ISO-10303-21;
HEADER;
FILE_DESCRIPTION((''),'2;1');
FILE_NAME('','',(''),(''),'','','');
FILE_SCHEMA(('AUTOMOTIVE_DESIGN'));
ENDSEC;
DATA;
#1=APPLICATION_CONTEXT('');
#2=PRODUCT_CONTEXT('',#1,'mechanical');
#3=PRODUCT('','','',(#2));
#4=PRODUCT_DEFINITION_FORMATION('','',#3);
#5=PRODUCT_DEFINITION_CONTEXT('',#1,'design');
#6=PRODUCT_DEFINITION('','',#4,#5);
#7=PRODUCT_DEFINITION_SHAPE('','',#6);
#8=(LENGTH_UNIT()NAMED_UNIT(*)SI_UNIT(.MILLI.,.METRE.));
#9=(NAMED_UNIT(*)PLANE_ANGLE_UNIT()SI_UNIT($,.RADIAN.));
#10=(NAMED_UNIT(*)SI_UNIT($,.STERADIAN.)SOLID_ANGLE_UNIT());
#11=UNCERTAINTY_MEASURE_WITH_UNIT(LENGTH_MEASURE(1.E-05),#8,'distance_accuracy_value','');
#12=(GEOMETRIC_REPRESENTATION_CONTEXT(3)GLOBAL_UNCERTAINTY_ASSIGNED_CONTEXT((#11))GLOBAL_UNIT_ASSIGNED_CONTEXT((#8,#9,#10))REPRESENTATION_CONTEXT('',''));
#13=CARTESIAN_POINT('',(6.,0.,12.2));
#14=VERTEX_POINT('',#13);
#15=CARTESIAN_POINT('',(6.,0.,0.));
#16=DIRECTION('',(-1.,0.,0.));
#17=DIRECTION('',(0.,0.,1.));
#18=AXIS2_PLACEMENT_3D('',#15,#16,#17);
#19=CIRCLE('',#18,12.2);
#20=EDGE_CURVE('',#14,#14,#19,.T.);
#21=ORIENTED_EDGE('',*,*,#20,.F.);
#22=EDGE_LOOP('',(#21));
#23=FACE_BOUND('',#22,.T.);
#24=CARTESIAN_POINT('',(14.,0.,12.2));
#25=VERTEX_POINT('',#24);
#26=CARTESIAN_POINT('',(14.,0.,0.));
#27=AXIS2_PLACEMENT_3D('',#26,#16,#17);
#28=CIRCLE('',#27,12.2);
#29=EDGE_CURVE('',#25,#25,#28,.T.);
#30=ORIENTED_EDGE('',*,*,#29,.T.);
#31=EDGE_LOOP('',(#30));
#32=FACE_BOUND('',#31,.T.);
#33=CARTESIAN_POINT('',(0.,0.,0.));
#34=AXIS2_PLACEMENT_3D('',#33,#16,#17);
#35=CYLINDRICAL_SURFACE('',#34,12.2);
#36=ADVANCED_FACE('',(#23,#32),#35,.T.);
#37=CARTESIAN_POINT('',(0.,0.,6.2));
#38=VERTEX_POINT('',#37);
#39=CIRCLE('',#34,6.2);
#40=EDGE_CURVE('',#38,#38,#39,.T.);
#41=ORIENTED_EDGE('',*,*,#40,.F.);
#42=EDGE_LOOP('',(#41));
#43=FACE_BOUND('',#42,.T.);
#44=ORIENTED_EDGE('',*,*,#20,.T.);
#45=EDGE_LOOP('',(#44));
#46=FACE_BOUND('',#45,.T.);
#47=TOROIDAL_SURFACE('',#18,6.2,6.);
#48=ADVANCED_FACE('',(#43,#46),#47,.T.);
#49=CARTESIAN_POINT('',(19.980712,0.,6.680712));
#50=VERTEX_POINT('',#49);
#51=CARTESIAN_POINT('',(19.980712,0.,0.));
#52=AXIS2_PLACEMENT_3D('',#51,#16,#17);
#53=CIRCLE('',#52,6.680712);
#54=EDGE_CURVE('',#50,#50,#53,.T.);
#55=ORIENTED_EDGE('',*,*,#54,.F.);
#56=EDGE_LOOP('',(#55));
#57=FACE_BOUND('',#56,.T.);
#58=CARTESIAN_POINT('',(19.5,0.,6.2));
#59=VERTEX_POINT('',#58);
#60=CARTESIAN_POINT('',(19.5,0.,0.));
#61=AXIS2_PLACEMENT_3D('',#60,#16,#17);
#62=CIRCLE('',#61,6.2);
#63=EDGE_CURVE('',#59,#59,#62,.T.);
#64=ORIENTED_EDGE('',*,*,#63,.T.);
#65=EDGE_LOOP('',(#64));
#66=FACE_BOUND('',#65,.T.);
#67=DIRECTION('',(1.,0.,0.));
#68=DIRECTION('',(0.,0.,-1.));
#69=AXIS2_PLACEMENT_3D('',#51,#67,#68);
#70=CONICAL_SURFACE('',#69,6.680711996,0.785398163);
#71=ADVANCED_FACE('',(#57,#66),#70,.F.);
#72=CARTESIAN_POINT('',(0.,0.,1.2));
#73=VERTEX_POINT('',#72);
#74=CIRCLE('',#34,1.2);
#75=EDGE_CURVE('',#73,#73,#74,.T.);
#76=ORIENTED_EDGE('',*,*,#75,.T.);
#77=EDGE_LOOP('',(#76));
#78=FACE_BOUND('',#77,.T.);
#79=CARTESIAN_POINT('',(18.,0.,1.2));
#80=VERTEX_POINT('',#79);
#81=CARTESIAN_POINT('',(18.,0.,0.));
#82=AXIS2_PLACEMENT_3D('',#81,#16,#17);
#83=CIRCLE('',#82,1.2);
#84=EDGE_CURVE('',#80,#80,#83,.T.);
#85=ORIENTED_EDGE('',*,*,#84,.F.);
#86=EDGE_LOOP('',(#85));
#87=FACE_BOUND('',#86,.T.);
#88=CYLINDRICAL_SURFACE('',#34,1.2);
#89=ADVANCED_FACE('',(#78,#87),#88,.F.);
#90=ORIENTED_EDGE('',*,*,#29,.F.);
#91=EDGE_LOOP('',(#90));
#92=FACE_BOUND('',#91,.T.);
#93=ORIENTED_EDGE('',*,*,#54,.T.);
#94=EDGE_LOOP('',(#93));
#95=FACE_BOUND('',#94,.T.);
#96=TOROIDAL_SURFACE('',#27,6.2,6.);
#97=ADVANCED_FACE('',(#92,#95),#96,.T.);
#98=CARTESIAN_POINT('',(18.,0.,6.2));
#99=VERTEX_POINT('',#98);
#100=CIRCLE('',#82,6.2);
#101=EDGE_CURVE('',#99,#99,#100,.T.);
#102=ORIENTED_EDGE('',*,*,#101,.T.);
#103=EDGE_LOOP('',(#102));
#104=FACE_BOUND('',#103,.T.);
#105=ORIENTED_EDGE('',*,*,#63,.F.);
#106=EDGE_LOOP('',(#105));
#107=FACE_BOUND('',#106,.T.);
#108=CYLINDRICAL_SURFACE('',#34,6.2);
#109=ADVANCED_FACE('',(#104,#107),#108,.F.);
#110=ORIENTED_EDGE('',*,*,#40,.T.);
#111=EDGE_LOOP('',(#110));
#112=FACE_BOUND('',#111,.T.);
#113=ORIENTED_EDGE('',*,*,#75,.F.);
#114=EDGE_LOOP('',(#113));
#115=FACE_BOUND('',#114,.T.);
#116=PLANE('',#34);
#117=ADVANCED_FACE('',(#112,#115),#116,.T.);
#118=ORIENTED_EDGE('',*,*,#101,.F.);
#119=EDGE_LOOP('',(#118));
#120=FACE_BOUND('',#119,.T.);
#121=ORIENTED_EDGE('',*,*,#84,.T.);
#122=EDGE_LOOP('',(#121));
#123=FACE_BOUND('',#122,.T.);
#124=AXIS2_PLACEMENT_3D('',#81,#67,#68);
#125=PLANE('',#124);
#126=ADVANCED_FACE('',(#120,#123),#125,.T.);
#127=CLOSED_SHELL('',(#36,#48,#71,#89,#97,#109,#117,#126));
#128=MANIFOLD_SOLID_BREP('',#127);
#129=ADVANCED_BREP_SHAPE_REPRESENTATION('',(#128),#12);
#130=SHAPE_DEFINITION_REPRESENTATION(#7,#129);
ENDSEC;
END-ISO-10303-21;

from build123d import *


with BuildPart() as part:
    # Sketch1 → Revolve1 (revolve)
    with BuildSketch(Plane(origin=(0, 0, 0), x_dir=(1, 0, 0), z_dir=(0, 1, 0)), mode=Mode.PRIVATE) as revolve1_sk:
        with BuildLine():
            Line((19.5, 6.2), (19.980711996, 6.680711996))
            ThreePointArc((19.980711996, 6.680711996), (18.069135536, 10.609323756), (14, 12.2))
            Line((14, 12.2), (6, 12.2))
            ThreePointArc((6, 12.2), (1.757359313, 10.442640687), (0, 6.2))
            Line((0, 6.2), (0, 1.2))
            Line((0, 1.2), (18, 1.2))
            Line((18, 1.2), (18, 6.2))
            Line((18, 6.2), (19.5, 6.2))
        make_face()
    revolve(revolve1_sk.sketch.rotate(Axis((0, 0, 0), (1, 0, 0)), 180), axis=Axis((0, 0, 0), (1, 0, 0)))


solid = part.part
